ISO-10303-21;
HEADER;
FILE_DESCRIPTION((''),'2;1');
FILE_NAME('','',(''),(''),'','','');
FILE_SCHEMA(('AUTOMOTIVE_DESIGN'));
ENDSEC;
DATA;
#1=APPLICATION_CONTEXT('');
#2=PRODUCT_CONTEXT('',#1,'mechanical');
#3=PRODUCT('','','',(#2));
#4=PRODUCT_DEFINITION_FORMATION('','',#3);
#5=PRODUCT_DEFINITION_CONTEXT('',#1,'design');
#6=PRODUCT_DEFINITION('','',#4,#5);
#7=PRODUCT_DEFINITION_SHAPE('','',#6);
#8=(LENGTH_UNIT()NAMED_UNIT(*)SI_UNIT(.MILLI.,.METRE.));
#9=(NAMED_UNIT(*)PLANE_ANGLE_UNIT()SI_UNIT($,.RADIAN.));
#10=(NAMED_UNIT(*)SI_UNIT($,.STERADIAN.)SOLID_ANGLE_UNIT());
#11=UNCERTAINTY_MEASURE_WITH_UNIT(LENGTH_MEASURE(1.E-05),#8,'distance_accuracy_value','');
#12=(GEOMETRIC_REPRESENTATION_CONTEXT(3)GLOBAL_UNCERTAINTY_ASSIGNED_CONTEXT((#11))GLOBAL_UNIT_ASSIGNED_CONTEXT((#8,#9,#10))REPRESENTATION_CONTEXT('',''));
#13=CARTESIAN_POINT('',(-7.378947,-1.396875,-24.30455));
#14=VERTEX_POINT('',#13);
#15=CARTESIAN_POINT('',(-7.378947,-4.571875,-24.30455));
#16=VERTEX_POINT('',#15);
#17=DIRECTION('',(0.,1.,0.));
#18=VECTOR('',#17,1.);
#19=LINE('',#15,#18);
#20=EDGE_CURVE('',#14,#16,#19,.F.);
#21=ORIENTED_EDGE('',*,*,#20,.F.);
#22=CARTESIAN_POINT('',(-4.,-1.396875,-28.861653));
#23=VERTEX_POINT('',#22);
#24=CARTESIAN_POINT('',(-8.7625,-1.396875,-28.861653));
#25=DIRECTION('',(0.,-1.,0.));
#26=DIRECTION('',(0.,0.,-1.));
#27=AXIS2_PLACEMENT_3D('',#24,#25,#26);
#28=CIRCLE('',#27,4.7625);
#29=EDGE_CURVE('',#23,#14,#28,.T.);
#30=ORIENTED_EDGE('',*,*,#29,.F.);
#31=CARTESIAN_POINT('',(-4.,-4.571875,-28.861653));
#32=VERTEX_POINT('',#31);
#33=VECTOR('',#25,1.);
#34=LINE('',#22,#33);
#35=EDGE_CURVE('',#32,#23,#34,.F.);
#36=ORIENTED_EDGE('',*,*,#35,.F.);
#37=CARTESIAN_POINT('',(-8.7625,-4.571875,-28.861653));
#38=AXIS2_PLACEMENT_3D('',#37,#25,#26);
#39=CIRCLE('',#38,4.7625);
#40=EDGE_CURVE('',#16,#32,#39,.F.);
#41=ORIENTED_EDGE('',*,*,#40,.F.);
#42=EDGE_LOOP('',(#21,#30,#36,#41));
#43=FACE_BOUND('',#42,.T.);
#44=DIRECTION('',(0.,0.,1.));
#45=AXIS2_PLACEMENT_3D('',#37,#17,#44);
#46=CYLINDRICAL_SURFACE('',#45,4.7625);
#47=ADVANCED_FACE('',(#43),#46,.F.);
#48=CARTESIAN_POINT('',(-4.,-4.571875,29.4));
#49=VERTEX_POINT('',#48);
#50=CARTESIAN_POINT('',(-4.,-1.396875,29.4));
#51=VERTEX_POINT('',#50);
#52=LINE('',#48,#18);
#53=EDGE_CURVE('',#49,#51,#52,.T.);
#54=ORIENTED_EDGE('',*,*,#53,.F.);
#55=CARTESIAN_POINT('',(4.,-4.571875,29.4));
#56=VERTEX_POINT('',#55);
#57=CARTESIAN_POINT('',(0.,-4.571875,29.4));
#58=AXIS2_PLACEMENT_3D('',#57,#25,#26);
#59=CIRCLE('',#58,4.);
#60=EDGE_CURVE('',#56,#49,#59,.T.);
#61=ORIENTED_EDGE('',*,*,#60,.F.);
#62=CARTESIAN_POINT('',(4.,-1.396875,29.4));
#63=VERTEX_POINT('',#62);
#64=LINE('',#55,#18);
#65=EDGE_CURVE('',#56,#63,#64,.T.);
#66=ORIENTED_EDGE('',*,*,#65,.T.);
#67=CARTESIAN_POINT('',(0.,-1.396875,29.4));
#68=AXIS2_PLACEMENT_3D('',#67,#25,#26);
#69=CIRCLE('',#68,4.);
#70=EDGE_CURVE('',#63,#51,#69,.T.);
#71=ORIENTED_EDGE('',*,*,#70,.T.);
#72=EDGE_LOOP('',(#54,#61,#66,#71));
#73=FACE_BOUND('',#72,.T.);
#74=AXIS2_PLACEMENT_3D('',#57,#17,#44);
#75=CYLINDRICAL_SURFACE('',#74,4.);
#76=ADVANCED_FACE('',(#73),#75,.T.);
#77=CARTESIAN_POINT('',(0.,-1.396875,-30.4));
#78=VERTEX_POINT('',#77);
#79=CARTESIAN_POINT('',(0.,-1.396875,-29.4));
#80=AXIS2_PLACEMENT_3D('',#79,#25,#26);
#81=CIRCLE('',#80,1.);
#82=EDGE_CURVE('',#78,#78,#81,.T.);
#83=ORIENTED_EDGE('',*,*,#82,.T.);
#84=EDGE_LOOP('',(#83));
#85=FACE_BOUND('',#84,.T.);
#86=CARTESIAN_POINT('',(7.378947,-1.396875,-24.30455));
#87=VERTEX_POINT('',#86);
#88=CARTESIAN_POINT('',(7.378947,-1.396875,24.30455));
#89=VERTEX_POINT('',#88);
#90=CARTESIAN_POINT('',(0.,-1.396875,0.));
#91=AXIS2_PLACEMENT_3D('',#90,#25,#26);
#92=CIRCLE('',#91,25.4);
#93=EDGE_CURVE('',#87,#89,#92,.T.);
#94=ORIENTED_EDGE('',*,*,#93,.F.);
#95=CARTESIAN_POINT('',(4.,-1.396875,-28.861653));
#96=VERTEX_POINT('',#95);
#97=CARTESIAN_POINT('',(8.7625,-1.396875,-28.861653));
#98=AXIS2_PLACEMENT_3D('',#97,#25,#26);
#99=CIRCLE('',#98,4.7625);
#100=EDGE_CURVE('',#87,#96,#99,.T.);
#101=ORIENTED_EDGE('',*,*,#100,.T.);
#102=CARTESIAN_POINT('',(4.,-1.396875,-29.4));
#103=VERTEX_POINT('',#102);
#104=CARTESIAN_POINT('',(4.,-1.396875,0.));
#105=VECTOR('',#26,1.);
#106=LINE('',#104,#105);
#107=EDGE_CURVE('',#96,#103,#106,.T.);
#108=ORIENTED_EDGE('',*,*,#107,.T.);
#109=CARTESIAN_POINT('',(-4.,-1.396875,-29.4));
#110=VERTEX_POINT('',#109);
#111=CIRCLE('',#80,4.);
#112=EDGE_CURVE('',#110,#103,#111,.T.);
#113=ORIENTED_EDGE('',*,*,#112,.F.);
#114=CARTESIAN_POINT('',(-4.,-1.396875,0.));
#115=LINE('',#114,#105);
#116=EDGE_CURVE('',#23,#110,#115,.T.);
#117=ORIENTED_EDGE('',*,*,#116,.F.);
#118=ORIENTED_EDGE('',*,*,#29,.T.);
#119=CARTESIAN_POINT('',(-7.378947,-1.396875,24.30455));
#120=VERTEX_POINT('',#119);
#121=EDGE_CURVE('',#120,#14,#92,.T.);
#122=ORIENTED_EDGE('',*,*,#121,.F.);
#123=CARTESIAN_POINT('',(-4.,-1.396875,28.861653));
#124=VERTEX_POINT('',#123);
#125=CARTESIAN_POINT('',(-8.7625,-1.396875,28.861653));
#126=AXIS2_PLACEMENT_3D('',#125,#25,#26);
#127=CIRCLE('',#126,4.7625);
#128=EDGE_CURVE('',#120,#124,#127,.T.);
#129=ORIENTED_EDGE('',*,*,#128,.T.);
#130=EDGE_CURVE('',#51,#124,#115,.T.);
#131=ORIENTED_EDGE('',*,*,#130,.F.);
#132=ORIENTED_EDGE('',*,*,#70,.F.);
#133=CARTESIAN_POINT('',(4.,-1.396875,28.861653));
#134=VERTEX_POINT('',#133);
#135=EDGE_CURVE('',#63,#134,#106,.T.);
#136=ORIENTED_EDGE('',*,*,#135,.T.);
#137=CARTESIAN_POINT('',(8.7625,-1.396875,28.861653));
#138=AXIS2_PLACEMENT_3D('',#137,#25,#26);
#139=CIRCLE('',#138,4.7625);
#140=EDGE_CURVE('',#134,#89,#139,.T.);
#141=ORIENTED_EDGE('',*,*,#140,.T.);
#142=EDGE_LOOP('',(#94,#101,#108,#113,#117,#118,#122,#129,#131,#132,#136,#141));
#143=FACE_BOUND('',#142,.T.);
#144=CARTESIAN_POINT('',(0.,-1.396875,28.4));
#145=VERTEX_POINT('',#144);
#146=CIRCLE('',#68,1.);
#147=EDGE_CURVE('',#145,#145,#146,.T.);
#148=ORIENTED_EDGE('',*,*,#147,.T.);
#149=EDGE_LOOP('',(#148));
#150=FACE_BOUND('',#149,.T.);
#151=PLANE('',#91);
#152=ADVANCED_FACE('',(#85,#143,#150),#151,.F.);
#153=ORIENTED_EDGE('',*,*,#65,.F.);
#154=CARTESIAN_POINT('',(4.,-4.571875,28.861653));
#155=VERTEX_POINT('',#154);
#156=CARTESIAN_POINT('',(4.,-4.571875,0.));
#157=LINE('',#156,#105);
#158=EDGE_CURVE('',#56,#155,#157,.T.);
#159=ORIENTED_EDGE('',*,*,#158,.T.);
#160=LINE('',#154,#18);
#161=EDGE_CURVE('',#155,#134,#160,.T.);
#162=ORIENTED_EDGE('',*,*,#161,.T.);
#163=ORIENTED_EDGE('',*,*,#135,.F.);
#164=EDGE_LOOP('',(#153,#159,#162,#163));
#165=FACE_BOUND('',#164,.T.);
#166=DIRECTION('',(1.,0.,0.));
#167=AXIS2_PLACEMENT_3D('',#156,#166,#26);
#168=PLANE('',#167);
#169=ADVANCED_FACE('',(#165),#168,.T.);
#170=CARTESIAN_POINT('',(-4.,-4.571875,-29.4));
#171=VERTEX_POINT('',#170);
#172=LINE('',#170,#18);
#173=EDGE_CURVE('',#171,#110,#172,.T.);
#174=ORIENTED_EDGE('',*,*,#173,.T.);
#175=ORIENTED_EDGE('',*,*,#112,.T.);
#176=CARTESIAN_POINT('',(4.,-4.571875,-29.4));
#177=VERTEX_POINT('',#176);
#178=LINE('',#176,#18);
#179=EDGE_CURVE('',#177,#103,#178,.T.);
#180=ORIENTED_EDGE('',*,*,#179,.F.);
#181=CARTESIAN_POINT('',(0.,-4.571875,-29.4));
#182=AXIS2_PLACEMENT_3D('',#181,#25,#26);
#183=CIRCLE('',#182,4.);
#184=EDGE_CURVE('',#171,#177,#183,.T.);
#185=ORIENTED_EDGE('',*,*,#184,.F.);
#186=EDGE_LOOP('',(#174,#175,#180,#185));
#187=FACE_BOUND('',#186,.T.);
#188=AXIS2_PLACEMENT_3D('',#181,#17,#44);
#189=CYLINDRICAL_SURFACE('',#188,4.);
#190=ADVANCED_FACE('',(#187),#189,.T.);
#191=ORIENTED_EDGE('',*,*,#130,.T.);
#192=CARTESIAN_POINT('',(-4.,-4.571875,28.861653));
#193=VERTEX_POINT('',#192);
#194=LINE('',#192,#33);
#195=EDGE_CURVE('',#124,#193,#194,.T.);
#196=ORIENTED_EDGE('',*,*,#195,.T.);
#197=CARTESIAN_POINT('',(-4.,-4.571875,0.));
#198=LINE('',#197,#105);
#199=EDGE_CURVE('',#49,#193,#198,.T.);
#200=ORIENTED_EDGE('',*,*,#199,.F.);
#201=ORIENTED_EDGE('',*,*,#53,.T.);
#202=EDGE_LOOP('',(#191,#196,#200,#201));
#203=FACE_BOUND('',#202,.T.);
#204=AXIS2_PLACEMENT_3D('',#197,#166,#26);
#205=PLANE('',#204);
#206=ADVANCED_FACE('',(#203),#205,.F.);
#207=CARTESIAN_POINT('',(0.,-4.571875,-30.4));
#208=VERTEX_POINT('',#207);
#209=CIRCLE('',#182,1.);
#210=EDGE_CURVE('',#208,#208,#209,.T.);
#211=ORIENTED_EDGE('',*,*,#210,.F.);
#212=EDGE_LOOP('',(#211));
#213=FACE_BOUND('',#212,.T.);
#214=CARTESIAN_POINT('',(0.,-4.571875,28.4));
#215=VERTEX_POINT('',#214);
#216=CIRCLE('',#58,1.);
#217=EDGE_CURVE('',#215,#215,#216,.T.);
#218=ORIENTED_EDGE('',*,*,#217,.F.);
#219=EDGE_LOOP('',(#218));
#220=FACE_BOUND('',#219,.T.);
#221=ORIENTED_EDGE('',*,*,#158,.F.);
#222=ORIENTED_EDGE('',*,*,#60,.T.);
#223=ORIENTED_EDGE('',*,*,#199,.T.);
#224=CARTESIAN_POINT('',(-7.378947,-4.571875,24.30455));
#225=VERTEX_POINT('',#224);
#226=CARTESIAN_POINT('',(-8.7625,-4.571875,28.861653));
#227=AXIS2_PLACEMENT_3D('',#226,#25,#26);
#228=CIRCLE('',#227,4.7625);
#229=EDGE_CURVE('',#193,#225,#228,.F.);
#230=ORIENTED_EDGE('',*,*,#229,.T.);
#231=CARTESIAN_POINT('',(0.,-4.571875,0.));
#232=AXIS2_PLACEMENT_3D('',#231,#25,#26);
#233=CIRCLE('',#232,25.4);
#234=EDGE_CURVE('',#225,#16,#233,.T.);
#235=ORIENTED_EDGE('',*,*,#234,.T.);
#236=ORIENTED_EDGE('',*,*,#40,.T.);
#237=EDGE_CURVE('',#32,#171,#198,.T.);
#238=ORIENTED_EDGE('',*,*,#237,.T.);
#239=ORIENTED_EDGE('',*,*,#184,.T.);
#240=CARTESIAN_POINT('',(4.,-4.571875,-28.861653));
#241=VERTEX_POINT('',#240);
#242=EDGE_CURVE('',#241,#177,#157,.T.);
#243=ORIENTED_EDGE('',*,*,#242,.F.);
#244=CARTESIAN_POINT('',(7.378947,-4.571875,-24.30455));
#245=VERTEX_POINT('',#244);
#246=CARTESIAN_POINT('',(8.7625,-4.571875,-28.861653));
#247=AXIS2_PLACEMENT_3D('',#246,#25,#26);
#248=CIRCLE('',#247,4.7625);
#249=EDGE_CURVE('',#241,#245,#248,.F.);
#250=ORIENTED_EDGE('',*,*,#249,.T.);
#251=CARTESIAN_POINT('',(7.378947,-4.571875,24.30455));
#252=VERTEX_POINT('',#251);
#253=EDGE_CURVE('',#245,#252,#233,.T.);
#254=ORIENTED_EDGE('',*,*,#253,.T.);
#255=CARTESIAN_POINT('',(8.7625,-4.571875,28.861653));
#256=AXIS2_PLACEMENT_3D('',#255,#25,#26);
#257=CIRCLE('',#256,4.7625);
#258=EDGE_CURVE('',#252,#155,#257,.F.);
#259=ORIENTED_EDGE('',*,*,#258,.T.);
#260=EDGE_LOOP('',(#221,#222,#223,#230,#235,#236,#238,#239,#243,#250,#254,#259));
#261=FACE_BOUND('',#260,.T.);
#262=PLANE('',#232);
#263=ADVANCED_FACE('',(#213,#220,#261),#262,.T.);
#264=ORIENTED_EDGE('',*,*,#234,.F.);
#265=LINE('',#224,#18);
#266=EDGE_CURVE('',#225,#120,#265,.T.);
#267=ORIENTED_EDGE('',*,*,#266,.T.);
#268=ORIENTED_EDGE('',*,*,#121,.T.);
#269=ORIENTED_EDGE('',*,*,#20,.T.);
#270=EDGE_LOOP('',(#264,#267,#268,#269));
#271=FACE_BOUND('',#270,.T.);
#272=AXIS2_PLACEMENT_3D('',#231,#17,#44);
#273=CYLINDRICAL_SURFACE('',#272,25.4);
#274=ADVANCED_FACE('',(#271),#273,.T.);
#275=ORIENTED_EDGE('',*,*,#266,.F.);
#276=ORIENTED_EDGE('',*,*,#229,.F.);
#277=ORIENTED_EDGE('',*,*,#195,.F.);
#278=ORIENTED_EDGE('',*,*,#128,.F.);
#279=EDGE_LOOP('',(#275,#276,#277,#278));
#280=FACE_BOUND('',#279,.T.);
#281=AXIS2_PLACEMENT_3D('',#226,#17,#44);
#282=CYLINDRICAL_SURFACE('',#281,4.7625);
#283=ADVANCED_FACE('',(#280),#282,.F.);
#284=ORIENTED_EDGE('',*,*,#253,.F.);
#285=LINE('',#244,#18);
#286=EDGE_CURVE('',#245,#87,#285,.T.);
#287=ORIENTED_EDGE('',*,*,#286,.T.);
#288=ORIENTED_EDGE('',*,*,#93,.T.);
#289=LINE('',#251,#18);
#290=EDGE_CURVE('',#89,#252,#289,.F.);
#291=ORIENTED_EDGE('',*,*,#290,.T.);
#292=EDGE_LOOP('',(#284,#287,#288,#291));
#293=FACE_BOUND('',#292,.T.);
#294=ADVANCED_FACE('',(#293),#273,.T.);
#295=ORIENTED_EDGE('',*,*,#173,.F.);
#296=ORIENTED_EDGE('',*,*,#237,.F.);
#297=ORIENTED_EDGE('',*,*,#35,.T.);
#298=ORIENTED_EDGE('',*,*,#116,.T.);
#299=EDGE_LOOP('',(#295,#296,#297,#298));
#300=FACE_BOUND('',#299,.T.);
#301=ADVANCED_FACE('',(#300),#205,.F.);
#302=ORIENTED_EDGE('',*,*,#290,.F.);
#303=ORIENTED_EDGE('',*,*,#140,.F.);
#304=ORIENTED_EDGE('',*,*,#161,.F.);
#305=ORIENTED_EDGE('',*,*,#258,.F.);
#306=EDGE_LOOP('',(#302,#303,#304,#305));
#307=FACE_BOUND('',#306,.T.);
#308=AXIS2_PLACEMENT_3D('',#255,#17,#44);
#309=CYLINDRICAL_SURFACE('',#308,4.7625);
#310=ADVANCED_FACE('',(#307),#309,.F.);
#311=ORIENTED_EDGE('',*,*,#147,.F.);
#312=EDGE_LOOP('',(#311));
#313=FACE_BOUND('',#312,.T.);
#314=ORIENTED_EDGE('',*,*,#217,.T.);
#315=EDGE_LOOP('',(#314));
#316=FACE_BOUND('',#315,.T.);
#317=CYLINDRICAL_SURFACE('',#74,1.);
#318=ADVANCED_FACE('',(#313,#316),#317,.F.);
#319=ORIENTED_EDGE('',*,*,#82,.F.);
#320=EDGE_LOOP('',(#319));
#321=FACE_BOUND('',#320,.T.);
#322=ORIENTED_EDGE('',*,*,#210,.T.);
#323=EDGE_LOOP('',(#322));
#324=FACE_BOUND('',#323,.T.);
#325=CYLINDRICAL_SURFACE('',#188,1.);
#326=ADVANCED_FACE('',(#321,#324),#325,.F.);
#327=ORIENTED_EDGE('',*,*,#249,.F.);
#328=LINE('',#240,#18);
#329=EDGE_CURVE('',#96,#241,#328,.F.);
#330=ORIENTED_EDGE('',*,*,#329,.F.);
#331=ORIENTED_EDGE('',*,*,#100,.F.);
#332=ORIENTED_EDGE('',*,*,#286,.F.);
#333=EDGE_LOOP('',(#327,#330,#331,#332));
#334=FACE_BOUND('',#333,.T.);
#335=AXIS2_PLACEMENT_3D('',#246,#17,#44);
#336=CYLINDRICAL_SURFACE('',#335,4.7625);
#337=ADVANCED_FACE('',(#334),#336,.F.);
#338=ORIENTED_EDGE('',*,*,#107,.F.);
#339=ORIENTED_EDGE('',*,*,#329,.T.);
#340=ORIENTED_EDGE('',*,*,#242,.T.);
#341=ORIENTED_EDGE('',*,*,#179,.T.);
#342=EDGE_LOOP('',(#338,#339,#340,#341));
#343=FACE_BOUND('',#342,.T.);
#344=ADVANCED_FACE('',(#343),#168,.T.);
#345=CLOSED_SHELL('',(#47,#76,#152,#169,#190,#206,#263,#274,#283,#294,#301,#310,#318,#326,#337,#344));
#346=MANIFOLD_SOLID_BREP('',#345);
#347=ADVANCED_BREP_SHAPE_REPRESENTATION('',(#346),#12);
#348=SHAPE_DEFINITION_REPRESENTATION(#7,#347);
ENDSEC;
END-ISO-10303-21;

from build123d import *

# Parameters (mm, degrees)
BOSS_EXTRUDE1_START = 1
SKETCH1_R           = 25.4
SKETCH1_R_2         = 1
BOSS_EXTRUDE1_DEPTH = 3.175
FILLET1_R           = 4.7625


with BuildPart() as part:
    # Sketch1 → Boss-Extrude1 (new body)
    with BuildSketch(Plane.XZ.offset(0.396875).offset(BOSS_EXTRUDE1_START)):
        Circle(SKETCH1_R)
        with BuildLine():
            Line((4, 29.4), (4, -29.4))
            ThreePointArc((4, -29.4), (0, -33.4), (-4, -29.4))
            Line((-4, -29.4), (-4, 29.4))
            ThreePointArc((-4, 29.4), (0, 33.4), (4, 29.4))
        make_face()
        with Locations((0, 29.4)):
            Circle(SKETCH1_R_2, mode=Mode.SUBTRACT)
        with Locations((0, -29.4)):
            Circle(SKETCH1_R_2, mode=Mode.SUBTRACT)
    extrude(amount=BOSS_EXTRUDE1_DEPTH)

    # Fillet1
    fillet1_edges = [part.edges().sort_by_distance(p)[0] for p in [
        (-4, -2.984375, -25.083062014),
        (-4, -2.984375, 25.083062014),
        (4, -2.984375, 25.083062014),
        (4, -2.984375, -25.083062014),
    ]]
    fillet(fillet1_edges, radius=FILLET1_R)


solid = part.part
